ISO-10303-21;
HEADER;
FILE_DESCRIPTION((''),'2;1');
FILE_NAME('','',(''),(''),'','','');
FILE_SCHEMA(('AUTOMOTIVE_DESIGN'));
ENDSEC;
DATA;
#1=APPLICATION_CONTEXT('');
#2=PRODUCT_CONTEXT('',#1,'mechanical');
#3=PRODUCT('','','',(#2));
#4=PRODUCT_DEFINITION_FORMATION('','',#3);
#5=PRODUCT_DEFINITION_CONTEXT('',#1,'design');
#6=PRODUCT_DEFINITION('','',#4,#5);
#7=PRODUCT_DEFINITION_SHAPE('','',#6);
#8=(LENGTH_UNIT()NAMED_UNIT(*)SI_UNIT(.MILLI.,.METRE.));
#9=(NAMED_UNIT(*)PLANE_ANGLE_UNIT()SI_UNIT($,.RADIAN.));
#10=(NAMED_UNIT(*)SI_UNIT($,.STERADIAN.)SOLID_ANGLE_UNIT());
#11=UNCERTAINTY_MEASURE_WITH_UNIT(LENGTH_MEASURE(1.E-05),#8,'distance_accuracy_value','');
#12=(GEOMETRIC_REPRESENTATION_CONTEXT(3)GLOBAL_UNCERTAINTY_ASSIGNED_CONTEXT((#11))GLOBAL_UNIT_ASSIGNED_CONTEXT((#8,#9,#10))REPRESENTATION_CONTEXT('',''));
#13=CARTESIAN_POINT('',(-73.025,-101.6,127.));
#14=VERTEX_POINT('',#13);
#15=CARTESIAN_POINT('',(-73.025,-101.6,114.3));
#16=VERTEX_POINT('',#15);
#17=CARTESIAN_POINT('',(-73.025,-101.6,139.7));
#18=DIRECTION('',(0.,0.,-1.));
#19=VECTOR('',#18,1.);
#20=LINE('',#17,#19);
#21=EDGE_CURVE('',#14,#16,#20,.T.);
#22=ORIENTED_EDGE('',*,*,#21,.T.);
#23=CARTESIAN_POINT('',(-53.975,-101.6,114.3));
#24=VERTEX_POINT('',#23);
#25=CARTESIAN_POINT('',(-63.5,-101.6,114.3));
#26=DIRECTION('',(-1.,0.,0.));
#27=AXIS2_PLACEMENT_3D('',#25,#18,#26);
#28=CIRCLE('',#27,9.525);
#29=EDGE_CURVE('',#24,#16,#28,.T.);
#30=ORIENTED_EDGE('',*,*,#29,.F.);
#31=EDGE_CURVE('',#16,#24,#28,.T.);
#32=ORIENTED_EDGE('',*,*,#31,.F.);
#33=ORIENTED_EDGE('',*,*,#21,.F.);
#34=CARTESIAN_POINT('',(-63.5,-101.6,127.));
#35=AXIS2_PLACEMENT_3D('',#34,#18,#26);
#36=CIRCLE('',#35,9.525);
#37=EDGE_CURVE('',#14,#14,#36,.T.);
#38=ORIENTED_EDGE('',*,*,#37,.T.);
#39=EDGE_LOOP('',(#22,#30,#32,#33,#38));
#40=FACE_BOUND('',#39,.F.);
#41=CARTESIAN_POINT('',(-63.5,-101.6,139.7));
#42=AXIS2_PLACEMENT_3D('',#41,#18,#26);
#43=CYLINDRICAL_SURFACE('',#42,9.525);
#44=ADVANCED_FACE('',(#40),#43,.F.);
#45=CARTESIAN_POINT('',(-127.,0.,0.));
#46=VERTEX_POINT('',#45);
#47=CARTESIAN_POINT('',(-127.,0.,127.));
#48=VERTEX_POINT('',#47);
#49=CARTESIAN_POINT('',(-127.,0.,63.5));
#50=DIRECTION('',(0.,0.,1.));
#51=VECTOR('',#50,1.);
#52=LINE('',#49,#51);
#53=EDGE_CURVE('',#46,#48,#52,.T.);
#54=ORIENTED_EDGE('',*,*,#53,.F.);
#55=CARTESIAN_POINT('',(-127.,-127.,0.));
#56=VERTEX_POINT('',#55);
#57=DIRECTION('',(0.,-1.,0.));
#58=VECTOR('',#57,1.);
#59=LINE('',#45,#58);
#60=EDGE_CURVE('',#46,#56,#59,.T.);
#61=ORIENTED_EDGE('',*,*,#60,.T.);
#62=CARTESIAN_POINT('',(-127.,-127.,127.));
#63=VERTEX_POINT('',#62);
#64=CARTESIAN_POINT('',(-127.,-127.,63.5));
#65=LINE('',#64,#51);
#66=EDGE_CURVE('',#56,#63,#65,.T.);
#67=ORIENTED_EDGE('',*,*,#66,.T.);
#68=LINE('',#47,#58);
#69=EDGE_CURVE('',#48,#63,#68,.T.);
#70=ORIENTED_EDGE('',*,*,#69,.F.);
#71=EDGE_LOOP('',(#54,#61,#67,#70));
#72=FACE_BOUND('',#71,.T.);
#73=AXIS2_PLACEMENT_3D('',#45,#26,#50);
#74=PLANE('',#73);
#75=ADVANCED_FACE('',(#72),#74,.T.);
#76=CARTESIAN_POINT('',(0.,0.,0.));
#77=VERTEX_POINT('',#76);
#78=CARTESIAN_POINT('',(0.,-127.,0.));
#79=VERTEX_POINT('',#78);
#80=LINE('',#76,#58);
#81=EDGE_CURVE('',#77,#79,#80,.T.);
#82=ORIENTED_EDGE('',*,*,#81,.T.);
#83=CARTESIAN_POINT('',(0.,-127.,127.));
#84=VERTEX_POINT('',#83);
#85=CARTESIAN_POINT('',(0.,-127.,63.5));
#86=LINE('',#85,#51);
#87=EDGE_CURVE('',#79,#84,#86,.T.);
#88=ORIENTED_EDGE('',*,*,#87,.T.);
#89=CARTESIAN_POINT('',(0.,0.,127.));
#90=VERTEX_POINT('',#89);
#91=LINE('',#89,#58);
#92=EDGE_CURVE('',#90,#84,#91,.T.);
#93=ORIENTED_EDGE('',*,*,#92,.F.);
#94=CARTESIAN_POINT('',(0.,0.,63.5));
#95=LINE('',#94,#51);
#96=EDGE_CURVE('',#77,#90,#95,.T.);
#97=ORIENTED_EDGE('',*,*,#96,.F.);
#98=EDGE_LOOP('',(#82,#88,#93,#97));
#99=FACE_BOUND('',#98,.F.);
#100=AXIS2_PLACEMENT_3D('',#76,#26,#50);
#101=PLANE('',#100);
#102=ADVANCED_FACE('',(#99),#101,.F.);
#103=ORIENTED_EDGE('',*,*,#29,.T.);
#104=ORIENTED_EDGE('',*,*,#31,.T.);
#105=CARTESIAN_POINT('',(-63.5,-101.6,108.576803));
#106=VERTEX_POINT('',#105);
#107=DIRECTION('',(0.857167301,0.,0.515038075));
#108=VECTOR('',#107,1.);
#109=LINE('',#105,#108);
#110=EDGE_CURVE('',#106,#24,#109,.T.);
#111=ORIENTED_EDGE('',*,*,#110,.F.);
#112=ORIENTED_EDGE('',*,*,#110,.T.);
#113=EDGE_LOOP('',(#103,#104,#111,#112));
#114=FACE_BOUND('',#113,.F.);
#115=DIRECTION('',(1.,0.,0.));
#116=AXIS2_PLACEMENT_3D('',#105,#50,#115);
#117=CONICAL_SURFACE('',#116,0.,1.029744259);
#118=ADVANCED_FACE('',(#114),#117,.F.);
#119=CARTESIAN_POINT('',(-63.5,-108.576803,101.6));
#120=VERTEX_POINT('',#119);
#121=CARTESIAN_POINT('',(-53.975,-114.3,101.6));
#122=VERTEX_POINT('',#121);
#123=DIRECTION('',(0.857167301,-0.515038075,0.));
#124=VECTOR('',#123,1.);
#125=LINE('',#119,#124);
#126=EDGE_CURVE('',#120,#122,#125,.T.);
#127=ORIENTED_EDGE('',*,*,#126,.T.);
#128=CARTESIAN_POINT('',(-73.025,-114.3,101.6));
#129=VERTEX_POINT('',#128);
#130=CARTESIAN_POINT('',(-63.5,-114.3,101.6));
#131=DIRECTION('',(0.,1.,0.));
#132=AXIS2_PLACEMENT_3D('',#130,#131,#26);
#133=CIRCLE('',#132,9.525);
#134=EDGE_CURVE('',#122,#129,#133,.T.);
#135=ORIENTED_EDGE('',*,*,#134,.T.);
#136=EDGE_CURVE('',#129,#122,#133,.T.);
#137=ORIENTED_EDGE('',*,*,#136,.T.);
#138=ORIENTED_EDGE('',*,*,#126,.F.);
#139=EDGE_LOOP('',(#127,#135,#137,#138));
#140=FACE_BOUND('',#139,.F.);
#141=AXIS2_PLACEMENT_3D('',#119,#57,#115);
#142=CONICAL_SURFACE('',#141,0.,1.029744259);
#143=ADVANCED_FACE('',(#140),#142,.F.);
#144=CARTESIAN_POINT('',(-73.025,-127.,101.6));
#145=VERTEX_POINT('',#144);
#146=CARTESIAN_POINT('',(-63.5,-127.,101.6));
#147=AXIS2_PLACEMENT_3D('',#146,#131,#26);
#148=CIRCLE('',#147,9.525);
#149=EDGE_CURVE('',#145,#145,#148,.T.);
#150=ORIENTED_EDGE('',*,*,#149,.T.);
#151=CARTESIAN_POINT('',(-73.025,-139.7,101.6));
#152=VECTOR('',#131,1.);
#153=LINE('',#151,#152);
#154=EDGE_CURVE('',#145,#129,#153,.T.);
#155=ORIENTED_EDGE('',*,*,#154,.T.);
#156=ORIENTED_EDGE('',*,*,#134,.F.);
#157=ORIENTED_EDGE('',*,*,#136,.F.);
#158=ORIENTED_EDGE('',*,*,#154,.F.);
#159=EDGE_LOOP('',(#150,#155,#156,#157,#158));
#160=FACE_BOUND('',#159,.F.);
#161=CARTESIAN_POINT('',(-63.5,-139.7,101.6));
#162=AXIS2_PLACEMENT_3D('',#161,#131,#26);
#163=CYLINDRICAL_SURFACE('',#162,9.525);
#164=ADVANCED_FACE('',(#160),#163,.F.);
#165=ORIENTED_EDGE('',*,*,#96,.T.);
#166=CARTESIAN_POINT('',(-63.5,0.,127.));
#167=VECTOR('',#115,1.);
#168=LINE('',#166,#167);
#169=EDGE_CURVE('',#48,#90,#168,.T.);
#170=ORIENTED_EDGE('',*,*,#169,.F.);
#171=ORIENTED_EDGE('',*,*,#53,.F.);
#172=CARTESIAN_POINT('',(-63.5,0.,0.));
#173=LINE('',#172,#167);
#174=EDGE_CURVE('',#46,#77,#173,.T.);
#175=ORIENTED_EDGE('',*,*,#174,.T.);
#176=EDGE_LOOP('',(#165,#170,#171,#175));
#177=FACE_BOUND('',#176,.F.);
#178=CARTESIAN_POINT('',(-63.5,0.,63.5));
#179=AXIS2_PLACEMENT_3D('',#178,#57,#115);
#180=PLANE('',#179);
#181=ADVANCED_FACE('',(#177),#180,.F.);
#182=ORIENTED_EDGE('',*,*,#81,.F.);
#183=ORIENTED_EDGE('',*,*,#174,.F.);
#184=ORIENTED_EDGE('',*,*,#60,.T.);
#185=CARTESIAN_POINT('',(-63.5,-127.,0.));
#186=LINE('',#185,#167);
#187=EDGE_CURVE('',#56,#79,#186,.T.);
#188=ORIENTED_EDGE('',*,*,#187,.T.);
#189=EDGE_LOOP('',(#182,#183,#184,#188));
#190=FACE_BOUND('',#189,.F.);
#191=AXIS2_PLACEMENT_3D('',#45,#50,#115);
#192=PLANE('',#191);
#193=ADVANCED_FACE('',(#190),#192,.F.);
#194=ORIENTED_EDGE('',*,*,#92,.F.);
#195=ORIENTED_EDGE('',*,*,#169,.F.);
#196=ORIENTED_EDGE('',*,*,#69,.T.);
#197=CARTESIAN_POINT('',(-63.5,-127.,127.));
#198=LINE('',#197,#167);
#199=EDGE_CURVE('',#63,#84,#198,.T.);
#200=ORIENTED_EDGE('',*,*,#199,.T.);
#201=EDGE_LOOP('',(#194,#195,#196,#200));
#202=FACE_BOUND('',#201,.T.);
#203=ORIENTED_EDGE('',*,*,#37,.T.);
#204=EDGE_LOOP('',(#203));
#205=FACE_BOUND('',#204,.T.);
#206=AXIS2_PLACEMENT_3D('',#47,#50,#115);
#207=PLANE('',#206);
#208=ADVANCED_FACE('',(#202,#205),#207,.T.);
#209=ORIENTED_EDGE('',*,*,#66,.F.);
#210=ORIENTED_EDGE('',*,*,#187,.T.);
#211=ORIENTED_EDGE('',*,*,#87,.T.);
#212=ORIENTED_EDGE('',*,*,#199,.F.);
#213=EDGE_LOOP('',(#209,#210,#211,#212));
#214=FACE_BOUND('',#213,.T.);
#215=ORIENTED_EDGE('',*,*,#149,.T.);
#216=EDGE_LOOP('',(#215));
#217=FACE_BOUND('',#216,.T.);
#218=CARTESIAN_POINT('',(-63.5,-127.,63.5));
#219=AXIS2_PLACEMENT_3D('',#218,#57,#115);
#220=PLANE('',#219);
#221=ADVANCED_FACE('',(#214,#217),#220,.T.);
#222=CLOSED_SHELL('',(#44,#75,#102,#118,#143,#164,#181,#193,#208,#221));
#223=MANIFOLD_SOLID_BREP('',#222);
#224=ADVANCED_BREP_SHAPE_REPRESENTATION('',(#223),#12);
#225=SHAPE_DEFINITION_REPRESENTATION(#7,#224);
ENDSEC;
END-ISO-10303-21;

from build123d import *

# Parameters (mm, degrees)
F0_W     = 127
F0_H     = 127
F1_DEPTH = 127
F3_D     = 19.05
F3_DEPTH = 12.7
F3_TIP   = 5.7231973962
F5_D     = 19.05
F5_DEPTH = 12.7
F5_TIP   = 5.7231973962


with BuildPart() as f1:
    # F0 (on Front) → F1 (new body)
    with BuildSketch(Plane.XZ):
        with Locations((-63.5, 63.5)):
            Rectangle(F0_W, F0_H)
    extrude(amount=F1_DEPTH)

    # F3
    with Locations(Plane.XZ.offset(127)):
        with Locations((-63.5, 101.6)):
            Hole(F3_D / 2, depth=F3_DEPTH)
            with Locations((0, 0, -(F3_DEPTH + F3_TIP / 2))):  # 118° drill point
                Cone(0, F3_D / 2, F3_TIP, mode=Mode.SUBTRACT)

    # F5
    with Locations(Plane.XY.offset(127)):
        with Locations((-63.5, -101.6)):
            Hole(F5_D / 2, depth=F5_DEPTH)
            with Locations((0, 0, -(F5_DEPTH + F5_TIP / 2))):  # 118° drill point
                Cone(0, F5_D / 2, F5_TIP, mode=Mode.SUBTRACT)


solid = f1.part
